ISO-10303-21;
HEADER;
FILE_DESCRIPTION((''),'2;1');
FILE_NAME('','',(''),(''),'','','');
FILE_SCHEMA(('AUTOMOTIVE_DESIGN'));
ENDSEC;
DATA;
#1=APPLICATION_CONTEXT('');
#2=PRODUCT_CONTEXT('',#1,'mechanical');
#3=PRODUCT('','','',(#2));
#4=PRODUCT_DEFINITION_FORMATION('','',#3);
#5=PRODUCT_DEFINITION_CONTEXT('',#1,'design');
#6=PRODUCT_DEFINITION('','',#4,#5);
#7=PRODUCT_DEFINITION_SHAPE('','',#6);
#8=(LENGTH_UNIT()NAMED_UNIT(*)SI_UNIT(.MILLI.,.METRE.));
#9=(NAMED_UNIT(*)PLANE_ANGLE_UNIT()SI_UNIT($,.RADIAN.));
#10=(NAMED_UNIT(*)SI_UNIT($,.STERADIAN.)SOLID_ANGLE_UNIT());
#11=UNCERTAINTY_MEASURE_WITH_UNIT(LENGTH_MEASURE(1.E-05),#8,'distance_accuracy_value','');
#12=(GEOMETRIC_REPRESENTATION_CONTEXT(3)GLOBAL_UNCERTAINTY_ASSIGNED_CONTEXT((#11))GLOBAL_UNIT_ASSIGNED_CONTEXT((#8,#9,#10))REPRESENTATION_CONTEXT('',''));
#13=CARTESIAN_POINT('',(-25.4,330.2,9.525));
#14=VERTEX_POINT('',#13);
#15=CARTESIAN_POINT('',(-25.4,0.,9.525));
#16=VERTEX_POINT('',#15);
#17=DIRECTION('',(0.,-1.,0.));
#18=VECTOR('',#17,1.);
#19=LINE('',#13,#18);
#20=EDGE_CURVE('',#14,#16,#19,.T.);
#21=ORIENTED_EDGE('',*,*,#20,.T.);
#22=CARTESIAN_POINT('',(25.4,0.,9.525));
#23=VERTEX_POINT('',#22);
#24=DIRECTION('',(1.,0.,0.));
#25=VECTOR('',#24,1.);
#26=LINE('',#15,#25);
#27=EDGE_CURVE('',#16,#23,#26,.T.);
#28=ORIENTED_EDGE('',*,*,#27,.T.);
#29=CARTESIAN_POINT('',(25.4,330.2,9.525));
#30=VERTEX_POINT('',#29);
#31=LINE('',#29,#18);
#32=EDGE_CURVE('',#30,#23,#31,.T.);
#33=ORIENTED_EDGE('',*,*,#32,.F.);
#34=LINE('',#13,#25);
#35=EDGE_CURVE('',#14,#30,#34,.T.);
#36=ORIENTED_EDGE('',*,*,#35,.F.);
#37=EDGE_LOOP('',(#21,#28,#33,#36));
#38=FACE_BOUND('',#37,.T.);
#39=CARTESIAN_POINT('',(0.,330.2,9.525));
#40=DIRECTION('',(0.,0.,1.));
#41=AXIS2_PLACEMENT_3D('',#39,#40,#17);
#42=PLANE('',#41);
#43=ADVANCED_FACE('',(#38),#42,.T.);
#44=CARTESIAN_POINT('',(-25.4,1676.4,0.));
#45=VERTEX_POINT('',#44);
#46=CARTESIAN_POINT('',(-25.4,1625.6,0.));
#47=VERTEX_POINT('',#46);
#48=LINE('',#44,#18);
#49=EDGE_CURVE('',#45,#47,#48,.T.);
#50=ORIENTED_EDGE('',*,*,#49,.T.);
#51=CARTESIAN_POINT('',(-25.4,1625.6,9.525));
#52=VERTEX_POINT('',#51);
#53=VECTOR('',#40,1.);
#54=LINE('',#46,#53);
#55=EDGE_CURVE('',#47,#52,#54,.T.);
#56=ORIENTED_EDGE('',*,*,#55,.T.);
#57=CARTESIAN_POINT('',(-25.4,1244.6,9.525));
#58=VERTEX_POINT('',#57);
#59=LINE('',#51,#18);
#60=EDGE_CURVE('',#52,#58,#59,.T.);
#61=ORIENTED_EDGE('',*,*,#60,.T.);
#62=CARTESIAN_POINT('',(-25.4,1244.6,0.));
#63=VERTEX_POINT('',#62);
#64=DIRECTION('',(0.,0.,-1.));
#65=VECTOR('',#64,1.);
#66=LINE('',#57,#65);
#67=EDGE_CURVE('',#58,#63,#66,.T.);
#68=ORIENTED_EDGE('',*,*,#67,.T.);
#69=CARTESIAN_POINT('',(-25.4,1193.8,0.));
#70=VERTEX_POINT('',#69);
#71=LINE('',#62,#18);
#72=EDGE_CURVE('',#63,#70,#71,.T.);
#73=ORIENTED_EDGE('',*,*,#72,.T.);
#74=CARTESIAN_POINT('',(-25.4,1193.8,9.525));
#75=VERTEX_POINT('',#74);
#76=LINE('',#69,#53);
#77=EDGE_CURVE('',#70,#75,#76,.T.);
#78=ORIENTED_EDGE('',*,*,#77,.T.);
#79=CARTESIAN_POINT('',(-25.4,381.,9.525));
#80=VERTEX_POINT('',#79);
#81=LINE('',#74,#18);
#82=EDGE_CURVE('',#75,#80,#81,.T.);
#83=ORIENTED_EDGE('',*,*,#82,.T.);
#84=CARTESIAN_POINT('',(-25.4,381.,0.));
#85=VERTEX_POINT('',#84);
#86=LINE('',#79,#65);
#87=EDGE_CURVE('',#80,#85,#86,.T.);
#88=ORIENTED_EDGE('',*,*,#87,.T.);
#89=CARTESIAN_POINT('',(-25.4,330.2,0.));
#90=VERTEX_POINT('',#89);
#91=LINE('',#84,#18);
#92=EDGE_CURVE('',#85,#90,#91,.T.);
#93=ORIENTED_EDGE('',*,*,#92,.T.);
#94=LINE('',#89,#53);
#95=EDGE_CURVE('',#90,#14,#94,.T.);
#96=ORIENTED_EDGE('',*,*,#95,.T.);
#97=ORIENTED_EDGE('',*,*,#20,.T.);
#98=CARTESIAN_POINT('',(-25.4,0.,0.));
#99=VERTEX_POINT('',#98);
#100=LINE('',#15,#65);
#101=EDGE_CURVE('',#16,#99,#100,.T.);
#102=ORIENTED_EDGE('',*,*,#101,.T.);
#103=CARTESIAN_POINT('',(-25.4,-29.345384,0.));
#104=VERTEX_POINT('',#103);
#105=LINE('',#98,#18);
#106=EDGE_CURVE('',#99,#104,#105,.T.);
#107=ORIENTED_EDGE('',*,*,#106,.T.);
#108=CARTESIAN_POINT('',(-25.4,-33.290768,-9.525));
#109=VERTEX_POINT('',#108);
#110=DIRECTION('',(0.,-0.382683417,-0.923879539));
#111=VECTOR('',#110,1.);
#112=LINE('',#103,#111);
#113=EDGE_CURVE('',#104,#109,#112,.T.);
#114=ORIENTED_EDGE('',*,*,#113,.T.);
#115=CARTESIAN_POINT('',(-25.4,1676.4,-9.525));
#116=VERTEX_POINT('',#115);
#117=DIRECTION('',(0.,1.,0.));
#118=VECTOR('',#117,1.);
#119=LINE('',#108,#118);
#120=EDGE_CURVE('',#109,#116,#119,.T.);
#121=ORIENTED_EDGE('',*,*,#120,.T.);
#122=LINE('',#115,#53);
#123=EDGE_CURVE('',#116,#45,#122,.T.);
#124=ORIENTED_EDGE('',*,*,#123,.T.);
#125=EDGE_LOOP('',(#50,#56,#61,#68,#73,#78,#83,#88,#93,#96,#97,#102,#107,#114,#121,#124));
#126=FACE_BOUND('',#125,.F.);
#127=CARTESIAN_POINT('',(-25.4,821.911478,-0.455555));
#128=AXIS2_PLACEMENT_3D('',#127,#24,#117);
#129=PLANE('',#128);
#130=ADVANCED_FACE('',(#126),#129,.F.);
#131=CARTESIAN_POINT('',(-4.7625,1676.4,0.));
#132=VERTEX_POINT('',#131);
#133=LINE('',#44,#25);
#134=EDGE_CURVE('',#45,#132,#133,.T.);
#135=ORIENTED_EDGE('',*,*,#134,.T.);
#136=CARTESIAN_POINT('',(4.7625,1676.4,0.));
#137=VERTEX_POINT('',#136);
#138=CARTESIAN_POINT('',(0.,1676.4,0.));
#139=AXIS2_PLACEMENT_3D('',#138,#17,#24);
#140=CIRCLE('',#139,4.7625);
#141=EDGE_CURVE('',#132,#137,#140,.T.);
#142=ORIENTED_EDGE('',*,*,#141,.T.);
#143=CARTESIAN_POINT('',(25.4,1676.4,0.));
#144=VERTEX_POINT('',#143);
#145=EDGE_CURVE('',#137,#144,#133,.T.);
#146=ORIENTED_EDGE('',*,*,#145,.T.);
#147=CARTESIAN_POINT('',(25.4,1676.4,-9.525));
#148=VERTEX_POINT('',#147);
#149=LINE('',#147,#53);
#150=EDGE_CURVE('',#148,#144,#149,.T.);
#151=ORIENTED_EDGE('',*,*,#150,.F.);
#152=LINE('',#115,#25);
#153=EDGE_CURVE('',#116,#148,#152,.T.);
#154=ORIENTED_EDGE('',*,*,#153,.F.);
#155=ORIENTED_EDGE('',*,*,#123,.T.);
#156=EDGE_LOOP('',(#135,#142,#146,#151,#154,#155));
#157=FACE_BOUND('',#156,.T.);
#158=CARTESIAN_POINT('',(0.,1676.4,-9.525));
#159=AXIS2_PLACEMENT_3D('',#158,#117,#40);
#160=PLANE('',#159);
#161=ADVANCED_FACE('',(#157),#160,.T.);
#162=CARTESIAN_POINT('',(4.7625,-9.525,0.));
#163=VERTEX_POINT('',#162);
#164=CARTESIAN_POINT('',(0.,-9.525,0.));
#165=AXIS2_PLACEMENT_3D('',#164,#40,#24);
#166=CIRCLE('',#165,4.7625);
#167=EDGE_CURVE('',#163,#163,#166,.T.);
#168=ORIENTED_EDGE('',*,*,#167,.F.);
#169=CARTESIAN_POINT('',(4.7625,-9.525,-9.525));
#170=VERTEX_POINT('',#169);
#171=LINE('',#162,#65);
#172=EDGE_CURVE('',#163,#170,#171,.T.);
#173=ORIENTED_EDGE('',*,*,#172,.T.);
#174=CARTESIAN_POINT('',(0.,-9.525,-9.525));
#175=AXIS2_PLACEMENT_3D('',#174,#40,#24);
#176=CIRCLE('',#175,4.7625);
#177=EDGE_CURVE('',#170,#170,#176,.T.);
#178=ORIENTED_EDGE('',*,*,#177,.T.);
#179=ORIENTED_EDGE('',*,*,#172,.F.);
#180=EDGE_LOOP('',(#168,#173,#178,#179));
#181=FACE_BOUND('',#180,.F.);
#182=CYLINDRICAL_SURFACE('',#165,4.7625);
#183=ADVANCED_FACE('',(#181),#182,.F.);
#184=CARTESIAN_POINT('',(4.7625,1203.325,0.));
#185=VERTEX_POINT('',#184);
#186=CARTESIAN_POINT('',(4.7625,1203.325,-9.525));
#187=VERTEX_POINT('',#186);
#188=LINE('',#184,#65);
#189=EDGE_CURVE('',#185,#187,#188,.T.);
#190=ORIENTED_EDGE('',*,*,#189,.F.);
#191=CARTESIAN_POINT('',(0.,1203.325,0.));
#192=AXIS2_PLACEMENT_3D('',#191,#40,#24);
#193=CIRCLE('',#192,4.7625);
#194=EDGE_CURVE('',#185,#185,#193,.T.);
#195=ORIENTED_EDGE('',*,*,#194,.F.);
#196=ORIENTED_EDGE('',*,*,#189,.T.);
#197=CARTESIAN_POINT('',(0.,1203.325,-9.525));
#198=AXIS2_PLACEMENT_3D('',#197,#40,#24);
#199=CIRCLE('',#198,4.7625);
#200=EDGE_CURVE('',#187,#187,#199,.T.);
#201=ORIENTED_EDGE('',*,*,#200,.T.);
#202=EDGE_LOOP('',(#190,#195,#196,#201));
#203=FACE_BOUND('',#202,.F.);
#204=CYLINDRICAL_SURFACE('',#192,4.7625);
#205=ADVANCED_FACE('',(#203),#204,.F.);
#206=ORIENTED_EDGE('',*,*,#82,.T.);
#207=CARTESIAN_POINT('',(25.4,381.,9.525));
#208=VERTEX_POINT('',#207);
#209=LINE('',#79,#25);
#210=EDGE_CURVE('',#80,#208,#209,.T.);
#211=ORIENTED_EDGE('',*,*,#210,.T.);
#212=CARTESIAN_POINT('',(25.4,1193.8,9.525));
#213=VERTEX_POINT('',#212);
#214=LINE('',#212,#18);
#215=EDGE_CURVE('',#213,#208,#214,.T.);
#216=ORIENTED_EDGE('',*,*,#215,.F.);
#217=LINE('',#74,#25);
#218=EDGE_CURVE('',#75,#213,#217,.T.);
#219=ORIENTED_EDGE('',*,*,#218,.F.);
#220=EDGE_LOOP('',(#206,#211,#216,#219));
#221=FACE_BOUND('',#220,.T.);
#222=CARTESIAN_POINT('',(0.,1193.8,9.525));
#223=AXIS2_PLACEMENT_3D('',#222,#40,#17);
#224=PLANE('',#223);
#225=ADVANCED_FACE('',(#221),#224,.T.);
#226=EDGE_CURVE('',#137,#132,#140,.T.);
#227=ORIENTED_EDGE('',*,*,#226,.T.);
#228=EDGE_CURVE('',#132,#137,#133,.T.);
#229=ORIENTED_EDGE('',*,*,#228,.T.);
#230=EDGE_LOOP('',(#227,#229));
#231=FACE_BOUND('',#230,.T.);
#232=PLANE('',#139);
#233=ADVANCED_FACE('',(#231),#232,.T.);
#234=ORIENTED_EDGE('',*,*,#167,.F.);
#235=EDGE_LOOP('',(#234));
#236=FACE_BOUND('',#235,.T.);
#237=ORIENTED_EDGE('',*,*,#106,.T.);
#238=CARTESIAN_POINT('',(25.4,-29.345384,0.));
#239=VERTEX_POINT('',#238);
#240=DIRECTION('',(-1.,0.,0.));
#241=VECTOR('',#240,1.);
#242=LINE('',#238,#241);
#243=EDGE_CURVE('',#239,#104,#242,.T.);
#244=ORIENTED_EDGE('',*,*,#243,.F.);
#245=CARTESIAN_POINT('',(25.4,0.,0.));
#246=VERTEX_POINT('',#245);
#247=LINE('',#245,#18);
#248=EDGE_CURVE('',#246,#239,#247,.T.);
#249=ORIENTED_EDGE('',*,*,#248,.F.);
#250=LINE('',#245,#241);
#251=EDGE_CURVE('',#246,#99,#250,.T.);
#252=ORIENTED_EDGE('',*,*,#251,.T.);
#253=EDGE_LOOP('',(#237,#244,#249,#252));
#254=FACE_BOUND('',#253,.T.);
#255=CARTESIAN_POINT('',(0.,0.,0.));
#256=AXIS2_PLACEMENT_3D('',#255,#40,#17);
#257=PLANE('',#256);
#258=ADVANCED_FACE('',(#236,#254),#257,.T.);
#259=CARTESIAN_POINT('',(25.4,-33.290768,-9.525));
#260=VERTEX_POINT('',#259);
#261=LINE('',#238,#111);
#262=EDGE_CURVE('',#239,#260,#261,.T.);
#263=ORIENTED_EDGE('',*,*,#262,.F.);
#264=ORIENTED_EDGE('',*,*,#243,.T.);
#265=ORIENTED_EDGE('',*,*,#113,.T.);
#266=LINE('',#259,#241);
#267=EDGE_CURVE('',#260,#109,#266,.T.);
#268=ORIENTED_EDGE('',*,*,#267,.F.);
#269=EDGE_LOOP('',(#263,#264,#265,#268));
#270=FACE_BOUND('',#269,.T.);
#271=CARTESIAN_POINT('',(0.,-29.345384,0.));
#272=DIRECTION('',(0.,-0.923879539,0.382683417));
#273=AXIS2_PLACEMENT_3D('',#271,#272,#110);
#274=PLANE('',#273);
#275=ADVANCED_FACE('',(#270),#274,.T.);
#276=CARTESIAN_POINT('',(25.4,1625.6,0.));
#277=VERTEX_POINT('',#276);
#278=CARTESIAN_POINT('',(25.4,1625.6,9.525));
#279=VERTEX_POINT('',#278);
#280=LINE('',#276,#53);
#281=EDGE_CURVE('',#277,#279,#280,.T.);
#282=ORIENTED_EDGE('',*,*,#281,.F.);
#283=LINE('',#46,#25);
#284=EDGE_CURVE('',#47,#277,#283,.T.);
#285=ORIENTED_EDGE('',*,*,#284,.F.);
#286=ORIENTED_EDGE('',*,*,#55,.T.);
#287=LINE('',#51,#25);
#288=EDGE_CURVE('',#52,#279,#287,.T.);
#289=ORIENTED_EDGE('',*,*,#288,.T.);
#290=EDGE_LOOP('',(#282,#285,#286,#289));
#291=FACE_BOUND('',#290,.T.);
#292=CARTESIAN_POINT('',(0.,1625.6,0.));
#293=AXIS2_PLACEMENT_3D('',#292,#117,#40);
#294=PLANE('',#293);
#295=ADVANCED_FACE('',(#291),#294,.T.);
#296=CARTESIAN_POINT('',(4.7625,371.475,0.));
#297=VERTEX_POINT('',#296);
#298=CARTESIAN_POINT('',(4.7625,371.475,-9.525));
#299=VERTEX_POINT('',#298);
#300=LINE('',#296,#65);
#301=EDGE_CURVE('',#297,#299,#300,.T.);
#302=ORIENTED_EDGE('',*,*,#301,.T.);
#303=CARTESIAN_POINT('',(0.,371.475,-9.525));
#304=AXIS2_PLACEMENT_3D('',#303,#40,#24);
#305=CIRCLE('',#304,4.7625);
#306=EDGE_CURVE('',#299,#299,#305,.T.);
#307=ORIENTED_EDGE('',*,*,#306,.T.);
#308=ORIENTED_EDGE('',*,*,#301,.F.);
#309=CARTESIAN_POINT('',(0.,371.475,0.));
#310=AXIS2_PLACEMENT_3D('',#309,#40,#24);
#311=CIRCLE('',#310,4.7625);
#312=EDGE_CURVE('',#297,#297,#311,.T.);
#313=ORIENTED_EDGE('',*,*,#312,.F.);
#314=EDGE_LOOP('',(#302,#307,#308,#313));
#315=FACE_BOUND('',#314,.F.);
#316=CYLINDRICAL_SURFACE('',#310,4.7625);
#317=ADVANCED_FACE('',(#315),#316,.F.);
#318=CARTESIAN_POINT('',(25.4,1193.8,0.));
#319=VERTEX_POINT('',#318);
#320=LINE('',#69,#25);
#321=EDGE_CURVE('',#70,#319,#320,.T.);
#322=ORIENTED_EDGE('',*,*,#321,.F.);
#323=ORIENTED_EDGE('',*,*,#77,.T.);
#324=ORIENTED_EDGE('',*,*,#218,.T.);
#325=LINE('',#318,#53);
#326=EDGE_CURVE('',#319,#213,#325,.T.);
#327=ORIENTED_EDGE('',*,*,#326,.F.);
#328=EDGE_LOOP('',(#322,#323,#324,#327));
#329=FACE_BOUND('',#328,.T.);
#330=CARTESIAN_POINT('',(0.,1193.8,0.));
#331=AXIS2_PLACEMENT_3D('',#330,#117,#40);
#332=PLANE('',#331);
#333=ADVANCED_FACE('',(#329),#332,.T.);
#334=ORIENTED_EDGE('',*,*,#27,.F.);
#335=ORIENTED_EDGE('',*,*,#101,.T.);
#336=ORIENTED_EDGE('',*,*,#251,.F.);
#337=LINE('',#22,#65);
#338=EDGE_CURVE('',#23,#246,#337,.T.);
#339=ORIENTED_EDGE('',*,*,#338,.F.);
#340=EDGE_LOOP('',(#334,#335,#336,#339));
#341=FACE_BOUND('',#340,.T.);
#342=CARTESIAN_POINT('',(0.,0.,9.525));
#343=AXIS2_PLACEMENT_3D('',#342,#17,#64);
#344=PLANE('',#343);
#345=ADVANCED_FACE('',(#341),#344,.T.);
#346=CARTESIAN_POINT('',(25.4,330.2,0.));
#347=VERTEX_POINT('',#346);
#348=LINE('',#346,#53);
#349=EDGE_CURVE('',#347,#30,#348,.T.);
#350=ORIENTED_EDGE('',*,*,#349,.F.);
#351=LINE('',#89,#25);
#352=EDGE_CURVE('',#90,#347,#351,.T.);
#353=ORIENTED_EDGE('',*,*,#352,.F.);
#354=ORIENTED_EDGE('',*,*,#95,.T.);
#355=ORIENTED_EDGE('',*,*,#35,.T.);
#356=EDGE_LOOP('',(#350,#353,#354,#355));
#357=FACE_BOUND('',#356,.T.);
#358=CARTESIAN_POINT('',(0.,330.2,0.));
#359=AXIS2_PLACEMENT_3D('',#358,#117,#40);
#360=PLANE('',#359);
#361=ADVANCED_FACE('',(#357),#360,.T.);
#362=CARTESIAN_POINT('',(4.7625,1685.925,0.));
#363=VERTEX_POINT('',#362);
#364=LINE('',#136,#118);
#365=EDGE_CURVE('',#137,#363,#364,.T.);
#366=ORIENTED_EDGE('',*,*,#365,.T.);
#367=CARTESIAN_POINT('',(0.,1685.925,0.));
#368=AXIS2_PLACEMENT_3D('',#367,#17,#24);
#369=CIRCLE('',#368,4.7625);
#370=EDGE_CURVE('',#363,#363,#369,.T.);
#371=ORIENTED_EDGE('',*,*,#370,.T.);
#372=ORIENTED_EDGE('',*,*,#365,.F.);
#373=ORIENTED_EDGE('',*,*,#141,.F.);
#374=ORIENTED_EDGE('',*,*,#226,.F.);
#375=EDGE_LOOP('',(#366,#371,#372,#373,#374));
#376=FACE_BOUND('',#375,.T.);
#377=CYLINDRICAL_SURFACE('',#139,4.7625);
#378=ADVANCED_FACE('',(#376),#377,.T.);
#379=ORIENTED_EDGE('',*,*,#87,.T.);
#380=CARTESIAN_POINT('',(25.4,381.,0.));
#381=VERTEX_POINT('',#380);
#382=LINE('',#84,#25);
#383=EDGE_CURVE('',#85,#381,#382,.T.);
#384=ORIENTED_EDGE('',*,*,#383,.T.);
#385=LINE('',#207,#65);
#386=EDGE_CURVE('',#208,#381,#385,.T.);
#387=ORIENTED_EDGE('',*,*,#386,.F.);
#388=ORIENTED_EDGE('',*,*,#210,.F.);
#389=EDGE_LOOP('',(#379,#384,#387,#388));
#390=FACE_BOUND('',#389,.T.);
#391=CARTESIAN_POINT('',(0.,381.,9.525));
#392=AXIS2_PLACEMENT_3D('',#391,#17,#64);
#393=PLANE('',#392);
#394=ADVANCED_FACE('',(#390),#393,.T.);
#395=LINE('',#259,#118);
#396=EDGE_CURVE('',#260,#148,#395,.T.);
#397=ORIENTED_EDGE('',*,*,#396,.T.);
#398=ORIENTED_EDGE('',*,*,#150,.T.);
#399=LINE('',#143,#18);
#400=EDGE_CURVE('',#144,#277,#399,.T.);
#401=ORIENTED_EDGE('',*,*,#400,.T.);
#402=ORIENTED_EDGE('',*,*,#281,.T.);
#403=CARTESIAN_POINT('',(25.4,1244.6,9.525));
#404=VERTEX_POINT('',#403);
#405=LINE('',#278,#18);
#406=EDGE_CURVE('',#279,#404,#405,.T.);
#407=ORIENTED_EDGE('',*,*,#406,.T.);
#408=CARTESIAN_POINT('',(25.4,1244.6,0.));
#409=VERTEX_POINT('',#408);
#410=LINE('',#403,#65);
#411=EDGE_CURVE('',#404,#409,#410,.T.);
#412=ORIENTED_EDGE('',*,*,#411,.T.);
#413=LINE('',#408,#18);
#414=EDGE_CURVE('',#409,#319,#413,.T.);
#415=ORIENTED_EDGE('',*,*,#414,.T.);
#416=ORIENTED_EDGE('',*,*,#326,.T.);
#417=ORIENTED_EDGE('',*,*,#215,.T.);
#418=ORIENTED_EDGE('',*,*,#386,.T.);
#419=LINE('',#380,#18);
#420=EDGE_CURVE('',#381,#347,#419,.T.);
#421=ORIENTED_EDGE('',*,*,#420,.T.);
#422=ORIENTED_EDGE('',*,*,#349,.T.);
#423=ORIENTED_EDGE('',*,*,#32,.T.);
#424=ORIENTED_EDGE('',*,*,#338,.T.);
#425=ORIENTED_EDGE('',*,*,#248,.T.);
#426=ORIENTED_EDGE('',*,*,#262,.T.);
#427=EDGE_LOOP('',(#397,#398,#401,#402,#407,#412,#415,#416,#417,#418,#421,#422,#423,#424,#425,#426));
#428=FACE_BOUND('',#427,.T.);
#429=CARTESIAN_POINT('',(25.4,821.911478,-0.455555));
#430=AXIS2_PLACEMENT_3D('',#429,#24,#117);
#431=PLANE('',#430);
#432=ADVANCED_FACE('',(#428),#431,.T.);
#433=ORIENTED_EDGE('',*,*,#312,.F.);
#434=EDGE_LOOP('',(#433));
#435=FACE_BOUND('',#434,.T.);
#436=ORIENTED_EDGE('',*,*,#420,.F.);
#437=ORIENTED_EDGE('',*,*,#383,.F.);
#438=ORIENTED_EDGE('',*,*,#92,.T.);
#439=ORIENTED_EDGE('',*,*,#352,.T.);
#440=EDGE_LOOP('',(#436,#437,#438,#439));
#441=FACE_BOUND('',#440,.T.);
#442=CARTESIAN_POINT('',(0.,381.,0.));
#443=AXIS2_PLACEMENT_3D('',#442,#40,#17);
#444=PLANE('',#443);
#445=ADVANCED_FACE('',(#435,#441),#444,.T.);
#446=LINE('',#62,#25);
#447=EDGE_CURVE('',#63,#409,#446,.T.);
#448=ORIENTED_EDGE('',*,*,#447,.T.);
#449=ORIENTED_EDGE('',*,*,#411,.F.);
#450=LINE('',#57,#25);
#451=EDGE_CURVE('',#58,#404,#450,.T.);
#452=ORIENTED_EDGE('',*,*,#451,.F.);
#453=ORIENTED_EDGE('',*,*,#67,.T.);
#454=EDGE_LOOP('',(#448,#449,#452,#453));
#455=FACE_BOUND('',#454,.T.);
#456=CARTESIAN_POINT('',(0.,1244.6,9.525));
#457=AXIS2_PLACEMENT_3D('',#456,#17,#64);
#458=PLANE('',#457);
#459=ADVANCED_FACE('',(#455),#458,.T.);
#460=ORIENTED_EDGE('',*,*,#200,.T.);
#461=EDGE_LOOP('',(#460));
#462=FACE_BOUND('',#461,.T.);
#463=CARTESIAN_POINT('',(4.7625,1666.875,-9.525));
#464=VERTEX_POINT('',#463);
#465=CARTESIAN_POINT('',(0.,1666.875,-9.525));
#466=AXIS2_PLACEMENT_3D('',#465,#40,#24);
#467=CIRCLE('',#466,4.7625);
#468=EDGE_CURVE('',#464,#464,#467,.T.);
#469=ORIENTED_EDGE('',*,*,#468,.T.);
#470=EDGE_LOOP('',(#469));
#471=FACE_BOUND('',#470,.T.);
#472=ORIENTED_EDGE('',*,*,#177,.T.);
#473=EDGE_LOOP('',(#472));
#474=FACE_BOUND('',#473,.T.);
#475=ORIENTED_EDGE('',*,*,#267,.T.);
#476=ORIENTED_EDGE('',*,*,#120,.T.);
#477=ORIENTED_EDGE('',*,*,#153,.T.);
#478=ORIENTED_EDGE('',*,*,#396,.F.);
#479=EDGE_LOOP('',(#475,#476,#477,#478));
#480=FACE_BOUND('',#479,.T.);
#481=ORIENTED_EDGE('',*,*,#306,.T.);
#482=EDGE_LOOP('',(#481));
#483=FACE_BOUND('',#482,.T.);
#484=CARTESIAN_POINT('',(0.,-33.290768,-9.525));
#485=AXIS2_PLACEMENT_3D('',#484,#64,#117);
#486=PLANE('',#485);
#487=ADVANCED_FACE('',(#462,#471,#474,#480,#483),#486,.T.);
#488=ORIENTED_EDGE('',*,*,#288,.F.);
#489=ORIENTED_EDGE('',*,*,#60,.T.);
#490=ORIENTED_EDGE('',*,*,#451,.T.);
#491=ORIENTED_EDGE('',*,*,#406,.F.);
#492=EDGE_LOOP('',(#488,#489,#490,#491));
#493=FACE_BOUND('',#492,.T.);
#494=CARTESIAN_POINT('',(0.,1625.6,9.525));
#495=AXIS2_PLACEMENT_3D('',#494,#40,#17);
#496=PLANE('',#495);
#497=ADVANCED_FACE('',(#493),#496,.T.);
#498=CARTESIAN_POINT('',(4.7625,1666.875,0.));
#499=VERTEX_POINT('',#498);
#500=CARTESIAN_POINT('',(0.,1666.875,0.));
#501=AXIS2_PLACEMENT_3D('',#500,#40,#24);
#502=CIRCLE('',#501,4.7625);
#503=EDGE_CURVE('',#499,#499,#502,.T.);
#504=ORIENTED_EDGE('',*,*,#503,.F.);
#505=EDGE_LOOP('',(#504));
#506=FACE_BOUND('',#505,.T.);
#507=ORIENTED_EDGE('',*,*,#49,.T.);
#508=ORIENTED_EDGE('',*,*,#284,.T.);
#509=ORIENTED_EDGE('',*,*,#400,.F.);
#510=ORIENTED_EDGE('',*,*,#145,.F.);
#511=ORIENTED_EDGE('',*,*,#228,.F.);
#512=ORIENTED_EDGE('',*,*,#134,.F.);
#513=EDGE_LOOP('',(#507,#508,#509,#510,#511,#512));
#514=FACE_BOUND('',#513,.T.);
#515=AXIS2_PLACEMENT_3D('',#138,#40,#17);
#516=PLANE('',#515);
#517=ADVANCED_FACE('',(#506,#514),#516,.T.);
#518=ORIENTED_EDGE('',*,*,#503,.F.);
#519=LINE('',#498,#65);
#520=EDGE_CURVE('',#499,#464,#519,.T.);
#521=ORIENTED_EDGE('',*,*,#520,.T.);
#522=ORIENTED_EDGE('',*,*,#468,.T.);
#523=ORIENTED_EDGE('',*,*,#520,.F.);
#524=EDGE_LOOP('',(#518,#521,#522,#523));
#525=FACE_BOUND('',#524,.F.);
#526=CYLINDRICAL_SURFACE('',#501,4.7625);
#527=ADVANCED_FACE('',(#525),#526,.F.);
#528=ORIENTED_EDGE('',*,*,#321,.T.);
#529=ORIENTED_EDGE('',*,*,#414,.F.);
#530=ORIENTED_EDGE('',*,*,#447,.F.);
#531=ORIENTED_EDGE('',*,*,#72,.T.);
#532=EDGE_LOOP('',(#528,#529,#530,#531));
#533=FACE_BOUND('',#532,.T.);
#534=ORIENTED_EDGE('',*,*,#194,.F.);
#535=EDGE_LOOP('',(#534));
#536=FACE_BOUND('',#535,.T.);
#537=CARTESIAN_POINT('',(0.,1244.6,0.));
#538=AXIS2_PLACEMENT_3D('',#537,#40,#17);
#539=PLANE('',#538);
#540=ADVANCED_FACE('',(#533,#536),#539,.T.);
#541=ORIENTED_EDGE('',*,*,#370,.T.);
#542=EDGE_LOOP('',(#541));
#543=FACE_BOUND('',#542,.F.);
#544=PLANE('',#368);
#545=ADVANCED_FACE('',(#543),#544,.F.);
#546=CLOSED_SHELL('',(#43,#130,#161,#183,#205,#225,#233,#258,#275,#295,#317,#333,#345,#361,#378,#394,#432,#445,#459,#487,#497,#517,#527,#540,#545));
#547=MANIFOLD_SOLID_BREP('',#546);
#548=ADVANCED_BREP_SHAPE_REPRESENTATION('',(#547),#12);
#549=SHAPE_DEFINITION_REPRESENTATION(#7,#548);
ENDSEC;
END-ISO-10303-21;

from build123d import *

# Parameters (mm, degrees)
F1_DEPTH = 25.4
F3_R     = 4.7625
F4_DEPTH = 9.525
F5_R     = 4.7625
F6_DEPTH = 25.4


with BuildPart() as f1:
    # F0 (on Right) → F1 (new body, symmetric)
    with BuildSketch(Plane.YZ):
        Polygon((-33.290768, -9.525), (1676.4, -9.525), (1676.4, 0), (1625.6, 0), (1625.6, 9.525), (1244.6, 9.525), (1244.6, 0), (1193.8, 0), (1193.8, 9.525), (381, 9.525), (381, 0), (330.2, 0), (330.2, 9.525), (0, 9.525), (0, 0), (-29.345384, 0), align=None)
    extrude(amount=F1_DEPTH, both=True)

    # F3 (on offset) → F4 (join)
    with BuildSketch(Plane.XZ.offset(-1676.4)):
        Circle(F3_R)
    extrude(amount=-F4_DEPTH)

    # F5 (on Top) → F6 (cut)
    with BuildSketch(Plane.XY):
        with Locations((0, 371.475)):
            Circle(F5_R)
        with Locations((0, 1203.325)):
            Circle(F5_R)
        with Locations((0, 1666.875)):
            Circle(F5_R)
        with Locations((0, -9.525)):
            Circle(F5_R)
    extrude(amount=-F6_DEPTH, mode=Mode.SUBTRACT)


solid = f1.part
